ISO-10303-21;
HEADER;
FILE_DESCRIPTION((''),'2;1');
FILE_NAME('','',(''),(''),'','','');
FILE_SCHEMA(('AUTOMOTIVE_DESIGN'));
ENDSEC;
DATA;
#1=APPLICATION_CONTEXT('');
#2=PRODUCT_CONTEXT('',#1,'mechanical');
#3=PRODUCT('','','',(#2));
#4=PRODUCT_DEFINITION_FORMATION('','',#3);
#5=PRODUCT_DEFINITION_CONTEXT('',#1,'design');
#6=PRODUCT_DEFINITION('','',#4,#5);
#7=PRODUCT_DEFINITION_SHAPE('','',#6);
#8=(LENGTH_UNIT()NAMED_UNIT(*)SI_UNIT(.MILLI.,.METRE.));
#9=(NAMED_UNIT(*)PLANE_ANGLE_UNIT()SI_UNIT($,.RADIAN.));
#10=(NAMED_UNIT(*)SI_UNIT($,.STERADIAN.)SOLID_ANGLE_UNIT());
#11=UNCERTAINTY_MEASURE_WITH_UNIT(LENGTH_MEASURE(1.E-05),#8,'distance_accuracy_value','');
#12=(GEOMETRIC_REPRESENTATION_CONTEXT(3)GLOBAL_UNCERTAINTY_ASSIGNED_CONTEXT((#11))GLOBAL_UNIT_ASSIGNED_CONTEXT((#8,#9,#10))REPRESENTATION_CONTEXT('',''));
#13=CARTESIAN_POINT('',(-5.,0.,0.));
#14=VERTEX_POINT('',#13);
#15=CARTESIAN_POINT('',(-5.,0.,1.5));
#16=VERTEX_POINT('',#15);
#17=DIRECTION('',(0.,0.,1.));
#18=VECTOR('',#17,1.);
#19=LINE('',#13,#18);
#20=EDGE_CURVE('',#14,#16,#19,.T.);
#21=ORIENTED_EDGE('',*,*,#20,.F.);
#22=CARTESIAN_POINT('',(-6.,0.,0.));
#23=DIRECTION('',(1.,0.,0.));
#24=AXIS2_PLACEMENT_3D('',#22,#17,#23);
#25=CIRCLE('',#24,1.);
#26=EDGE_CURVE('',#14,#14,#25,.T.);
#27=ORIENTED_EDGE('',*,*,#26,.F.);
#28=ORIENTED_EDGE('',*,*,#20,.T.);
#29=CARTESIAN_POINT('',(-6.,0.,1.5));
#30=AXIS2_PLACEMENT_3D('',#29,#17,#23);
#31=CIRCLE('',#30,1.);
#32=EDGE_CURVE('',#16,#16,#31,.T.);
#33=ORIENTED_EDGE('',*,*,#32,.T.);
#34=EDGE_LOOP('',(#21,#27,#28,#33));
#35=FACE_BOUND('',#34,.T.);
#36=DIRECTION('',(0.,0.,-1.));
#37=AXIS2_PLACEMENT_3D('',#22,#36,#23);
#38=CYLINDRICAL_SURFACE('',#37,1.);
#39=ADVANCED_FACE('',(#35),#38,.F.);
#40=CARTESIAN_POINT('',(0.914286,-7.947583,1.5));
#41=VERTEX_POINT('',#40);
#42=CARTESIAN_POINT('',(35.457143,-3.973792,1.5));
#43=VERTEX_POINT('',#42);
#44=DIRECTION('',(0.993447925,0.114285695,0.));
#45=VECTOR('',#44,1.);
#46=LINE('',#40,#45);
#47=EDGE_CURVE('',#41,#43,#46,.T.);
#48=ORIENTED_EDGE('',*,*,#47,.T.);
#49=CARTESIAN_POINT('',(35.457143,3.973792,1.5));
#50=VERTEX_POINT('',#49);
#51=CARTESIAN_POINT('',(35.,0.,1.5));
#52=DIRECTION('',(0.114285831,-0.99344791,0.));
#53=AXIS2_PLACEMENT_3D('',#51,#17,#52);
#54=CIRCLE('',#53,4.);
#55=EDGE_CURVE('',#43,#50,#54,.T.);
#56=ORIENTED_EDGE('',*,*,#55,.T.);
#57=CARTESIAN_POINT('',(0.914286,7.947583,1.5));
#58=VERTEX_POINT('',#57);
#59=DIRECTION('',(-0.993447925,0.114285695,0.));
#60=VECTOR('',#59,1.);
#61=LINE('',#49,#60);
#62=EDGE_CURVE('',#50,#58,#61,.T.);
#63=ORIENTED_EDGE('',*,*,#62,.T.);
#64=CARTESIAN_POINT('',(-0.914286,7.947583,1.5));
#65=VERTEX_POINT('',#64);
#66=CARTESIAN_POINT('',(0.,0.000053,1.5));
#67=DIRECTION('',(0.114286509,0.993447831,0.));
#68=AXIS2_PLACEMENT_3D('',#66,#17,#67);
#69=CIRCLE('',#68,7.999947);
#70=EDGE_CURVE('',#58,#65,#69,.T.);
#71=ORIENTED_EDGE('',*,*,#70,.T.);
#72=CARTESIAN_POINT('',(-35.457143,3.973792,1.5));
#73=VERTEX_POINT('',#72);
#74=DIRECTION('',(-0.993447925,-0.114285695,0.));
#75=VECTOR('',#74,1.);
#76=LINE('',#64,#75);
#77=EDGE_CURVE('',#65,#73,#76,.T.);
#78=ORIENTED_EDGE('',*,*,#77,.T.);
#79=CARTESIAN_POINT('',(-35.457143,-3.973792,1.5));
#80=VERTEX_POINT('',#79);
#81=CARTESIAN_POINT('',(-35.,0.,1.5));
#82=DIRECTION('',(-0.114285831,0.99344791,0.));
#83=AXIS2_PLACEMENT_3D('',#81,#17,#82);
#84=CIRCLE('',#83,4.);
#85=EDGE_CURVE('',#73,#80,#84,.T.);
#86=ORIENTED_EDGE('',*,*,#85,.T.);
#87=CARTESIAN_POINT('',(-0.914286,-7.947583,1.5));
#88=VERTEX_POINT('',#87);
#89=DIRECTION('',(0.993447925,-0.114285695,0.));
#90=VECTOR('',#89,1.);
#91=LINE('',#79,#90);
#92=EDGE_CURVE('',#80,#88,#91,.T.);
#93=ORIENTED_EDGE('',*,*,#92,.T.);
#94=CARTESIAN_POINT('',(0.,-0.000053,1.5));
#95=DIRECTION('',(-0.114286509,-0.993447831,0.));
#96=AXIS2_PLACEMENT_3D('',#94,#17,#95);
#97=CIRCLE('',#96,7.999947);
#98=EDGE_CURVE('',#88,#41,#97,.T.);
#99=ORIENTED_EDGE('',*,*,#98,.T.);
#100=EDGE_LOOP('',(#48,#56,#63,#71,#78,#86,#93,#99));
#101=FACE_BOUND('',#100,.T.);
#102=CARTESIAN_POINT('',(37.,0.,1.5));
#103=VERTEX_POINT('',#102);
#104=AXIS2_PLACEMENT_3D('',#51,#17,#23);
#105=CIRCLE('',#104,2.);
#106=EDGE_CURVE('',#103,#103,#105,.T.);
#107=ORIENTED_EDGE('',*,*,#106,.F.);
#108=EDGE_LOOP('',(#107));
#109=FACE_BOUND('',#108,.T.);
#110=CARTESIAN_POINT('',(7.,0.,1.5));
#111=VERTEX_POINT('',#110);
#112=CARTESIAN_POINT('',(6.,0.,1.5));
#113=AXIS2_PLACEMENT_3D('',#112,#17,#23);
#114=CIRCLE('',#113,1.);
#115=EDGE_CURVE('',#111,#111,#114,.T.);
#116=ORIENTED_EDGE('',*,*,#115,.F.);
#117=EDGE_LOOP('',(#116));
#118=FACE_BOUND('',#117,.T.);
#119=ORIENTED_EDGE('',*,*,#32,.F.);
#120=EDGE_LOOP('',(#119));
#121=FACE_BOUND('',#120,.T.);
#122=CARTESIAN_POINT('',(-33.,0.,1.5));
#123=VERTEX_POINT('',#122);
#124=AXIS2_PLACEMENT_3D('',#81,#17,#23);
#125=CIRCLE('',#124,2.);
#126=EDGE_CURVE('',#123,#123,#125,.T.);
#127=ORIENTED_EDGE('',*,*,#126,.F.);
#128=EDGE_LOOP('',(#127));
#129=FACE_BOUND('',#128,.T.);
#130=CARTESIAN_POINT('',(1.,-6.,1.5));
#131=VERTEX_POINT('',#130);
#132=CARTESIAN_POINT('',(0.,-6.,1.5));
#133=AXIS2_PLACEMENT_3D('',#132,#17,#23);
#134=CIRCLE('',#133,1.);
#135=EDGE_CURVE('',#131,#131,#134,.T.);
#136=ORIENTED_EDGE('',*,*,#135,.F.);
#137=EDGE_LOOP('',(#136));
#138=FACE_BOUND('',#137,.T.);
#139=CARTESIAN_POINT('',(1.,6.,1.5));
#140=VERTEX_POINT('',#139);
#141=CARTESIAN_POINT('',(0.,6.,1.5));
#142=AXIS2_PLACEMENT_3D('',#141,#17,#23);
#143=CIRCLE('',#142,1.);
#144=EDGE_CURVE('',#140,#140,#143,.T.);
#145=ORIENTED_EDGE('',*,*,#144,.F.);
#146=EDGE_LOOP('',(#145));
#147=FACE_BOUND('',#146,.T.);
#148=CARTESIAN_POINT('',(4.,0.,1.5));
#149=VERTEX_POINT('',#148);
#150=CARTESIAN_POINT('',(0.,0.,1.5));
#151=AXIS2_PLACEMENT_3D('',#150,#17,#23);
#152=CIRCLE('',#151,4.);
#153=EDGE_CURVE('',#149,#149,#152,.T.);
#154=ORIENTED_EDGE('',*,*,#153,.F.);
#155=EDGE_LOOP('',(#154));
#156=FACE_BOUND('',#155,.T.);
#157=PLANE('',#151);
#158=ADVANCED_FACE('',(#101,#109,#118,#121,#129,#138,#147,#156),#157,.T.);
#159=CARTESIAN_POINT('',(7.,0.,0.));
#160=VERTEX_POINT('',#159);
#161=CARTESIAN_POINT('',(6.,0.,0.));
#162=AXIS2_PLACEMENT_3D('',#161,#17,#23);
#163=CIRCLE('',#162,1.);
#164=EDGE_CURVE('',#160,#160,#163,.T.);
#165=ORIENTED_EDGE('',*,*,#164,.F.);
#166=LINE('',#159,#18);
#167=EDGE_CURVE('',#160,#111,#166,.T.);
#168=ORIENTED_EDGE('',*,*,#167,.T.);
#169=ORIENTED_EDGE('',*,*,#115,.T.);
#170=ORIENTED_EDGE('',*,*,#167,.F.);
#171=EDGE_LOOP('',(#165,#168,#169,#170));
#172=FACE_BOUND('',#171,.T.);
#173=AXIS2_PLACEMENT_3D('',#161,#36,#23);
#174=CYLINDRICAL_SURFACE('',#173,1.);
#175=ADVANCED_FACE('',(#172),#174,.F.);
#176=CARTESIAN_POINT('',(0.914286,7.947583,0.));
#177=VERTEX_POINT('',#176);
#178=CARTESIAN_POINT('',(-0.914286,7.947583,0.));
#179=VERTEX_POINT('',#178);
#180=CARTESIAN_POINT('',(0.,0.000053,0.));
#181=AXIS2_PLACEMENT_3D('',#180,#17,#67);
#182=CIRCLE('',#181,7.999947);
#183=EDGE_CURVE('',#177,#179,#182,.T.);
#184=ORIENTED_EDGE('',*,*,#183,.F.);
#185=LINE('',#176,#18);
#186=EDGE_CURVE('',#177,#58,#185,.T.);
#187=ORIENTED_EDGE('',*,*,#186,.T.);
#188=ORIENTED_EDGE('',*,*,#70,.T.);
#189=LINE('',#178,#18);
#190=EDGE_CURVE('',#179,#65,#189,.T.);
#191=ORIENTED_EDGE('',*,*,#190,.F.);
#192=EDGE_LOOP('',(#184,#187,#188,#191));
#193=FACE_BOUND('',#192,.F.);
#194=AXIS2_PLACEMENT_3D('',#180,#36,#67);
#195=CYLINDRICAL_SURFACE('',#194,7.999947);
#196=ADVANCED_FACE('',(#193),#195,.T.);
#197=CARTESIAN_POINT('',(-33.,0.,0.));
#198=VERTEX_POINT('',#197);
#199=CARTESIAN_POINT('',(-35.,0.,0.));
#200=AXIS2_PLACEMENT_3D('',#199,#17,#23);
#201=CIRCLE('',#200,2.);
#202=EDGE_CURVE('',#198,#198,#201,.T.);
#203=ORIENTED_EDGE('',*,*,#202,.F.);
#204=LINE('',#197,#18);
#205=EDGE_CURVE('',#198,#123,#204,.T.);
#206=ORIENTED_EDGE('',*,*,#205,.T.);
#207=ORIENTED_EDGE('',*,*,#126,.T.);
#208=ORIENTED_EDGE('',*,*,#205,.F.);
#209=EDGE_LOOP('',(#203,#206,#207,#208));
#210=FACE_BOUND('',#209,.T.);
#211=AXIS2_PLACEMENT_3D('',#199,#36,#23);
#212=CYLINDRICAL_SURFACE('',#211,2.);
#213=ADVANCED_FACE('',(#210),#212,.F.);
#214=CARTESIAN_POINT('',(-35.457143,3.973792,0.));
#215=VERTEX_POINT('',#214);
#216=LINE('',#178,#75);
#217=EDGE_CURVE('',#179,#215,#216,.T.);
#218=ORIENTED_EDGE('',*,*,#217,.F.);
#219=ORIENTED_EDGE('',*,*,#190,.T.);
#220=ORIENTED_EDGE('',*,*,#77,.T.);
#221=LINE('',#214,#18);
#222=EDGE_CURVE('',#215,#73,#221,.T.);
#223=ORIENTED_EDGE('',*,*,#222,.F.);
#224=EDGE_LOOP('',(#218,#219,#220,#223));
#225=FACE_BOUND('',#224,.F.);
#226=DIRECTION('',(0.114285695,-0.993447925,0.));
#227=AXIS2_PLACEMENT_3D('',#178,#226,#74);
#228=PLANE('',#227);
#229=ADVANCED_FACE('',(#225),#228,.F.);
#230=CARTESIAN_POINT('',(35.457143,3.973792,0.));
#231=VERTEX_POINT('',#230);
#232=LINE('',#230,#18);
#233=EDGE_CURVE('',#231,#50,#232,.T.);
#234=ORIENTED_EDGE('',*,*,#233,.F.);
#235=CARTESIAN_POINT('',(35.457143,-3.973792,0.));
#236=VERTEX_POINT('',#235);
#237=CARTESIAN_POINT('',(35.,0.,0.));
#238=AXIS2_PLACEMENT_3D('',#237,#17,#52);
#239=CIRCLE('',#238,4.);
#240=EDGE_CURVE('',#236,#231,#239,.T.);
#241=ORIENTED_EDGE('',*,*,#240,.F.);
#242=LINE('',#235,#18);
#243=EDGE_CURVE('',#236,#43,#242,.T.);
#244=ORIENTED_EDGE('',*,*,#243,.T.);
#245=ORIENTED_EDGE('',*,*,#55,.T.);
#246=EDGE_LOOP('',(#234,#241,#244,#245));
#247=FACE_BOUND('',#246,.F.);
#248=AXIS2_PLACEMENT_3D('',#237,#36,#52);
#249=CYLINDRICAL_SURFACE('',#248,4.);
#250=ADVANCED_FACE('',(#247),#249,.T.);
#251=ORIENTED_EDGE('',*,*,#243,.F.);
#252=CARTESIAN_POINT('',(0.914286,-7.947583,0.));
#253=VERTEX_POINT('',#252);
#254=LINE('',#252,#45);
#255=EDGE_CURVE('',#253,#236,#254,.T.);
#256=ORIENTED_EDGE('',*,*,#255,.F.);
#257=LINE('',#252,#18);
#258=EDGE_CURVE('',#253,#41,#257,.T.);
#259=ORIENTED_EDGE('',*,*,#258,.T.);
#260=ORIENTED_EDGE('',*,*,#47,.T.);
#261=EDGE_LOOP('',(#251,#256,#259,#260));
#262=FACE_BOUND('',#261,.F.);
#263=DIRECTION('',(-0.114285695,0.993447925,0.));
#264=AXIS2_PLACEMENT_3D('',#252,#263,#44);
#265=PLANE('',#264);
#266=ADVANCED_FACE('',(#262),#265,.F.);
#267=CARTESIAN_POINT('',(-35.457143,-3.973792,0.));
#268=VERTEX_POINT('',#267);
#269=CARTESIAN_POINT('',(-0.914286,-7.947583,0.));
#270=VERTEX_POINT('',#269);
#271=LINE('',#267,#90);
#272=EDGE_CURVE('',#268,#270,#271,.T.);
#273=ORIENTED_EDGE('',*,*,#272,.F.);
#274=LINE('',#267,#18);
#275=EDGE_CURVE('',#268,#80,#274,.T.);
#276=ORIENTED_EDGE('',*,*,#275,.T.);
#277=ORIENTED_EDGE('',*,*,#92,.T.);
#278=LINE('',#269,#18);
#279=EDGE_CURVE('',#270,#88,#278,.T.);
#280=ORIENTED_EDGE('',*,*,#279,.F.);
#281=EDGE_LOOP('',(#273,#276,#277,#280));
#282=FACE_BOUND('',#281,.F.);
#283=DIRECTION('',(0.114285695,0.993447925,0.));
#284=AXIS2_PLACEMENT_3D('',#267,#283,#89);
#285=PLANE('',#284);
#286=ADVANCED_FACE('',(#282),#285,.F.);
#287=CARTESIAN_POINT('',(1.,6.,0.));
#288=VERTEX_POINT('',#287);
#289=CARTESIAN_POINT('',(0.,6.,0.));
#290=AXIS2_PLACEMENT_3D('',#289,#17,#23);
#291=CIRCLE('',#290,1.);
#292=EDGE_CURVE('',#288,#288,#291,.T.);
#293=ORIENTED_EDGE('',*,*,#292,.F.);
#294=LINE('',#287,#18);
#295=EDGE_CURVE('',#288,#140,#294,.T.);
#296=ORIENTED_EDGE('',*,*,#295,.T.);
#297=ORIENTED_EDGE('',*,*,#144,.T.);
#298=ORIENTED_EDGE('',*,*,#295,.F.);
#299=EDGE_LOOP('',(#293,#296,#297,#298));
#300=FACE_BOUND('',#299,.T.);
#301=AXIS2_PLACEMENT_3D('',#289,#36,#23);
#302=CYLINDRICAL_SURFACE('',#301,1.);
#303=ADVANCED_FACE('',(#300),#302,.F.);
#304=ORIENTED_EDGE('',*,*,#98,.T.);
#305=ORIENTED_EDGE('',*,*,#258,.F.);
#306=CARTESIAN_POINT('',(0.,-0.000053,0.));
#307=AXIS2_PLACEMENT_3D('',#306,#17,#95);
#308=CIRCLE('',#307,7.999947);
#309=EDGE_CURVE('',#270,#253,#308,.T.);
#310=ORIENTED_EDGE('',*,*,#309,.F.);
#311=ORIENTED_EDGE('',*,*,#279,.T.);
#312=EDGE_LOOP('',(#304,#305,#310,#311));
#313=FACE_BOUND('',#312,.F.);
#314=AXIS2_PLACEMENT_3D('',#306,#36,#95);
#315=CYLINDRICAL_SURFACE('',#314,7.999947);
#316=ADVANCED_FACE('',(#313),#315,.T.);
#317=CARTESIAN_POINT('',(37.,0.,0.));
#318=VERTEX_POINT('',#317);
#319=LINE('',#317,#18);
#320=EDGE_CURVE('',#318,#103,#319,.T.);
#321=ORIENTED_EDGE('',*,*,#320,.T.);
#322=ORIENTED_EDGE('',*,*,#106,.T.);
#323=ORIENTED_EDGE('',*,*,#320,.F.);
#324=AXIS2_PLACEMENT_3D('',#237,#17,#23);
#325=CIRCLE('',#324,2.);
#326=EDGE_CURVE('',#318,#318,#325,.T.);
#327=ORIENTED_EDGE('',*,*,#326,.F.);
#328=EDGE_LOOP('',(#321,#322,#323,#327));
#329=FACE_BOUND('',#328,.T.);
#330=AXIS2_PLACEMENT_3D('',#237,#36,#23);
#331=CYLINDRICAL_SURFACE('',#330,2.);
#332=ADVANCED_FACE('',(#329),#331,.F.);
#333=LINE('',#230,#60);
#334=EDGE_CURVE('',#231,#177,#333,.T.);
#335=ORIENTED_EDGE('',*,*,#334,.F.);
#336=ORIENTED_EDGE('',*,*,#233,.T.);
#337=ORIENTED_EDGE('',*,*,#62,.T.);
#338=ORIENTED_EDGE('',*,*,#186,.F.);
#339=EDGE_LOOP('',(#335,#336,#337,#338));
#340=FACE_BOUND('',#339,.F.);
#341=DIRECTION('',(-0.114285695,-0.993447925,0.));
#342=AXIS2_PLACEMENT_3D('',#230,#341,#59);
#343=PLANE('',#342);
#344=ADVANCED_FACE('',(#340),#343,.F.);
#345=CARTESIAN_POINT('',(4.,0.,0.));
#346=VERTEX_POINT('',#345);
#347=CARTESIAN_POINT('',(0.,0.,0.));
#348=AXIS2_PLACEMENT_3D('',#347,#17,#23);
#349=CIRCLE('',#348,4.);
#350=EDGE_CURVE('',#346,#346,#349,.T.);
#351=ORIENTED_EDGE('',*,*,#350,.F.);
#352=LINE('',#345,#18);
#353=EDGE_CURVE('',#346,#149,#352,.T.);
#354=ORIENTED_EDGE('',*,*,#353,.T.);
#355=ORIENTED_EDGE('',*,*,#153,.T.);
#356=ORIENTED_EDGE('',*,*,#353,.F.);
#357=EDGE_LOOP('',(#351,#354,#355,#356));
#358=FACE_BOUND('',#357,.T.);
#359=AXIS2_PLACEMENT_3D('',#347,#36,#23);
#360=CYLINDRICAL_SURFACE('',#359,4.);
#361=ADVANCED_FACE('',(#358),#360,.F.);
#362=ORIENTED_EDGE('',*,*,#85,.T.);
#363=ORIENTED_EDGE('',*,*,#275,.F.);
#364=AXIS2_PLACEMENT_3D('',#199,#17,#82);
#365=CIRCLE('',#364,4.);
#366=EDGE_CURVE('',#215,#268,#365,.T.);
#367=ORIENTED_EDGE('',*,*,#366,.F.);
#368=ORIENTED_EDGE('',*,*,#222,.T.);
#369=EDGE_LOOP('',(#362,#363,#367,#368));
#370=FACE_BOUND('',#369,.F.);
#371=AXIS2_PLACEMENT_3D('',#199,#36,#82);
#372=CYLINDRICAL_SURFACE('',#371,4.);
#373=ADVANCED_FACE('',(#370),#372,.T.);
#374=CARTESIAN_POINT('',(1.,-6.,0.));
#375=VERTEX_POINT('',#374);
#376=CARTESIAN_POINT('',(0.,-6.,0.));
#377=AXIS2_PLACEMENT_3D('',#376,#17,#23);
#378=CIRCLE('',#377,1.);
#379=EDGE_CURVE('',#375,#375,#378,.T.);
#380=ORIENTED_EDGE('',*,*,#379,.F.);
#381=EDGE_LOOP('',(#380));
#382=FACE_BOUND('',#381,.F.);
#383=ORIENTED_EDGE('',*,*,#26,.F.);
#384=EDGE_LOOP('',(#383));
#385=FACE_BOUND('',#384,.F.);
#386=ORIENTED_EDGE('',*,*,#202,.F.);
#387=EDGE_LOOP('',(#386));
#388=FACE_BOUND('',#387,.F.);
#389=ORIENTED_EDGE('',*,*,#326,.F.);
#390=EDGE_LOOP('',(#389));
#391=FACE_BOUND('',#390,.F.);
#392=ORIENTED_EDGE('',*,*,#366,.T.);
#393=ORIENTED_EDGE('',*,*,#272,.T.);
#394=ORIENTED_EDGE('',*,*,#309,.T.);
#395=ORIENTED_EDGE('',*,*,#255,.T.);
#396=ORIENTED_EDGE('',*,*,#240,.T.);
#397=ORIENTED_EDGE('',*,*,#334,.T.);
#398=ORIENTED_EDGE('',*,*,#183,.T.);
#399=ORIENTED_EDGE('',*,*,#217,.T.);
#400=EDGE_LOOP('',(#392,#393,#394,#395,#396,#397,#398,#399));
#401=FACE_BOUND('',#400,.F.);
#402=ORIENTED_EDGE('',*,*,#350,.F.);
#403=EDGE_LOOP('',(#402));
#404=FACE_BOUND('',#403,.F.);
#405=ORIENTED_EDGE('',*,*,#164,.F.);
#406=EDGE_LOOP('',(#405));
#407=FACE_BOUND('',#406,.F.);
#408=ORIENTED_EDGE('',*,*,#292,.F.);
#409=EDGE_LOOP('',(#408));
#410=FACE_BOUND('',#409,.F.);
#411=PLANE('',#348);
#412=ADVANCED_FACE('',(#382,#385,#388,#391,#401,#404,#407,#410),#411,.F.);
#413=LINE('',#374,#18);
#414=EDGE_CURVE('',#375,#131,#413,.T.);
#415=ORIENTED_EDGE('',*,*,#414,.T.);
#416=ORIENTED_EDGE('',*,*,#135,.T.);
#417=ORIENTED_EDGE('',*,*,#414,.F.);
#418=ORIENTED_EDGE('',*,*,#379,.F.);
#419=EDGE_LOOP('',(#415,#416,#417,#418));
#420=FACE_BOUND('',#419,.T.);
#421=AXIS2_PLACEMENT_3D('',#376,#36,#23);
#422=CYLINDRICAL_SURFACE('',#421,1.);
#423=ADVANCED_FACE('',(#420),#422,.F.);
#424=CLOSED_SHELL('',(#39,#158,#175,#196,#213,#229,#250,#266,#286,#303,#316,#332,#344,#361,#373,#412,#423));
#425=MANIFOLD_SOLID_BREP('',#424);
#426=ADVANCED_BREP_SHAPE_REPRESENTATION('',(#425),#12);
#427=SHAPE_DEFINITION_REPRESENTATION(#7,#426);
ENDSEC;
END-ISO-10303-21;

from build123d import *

# Parameters (mm, degrees)
F0_R     = 1
F0_R_2   = 2
F0_R_3   = 4
F1_DEPTH = 1.5


with BuildPart() as f1:
    # F0 (on Top) → F1 (new body)
    with BuildSketch(Plane.XY):
        with BuildLine():
            Line((0.914286, -7.947583), (35.457143, -3.973792))
            ThreePointArc((35.457143, -3.973792), (39, 0), (35.457143, 3.973792))
            Line((35.457143, 3.973792), (0.914286, 7.947583))
            ThreePointArc((0.914286, 7.947583), (0, 8), (-0.914286, 7.947583))
            Line((-0.914286, 7.947583), (-35.457143, 3.973792))
            ThreePointArc((-35.457143, 3.973792), (-39, 0), (-35.457143, -3.973792))
            Line((-35.457143, -3.973792), (-0.914286, -7.947583))
            ThreePointArc((-0.914286, -7.947583), (0, -8), (0.914286, -7.947583))
        make_face()
        with Locations((0, -6)):
            Circle(F0_R, mode=Mode.SUBTRACT)
        with Locations((-35, 0)):
            Circle(F0_R_2, mode=Mode.SUBTRACT)
        with Locations((-6, 0)):
            Circle(F0_R, mode=Mode.SUBTRACT)
        Circle(F0_R_3, mode=Mode.SUBTRACT)
        with Locations((6, 0)):
            Circle(F0_R, mode=Mode.SUBTRACT)
        with Locations((35, 0)):
            Circle(F0_R_2, mode=Mode.SUBTRACT)
        with Locations((0, 6)):
            Circle(F0_R, mode=Mode.SUBTRACT)
    extrude(amount=F1_DEPTH)


solid = f1.part
